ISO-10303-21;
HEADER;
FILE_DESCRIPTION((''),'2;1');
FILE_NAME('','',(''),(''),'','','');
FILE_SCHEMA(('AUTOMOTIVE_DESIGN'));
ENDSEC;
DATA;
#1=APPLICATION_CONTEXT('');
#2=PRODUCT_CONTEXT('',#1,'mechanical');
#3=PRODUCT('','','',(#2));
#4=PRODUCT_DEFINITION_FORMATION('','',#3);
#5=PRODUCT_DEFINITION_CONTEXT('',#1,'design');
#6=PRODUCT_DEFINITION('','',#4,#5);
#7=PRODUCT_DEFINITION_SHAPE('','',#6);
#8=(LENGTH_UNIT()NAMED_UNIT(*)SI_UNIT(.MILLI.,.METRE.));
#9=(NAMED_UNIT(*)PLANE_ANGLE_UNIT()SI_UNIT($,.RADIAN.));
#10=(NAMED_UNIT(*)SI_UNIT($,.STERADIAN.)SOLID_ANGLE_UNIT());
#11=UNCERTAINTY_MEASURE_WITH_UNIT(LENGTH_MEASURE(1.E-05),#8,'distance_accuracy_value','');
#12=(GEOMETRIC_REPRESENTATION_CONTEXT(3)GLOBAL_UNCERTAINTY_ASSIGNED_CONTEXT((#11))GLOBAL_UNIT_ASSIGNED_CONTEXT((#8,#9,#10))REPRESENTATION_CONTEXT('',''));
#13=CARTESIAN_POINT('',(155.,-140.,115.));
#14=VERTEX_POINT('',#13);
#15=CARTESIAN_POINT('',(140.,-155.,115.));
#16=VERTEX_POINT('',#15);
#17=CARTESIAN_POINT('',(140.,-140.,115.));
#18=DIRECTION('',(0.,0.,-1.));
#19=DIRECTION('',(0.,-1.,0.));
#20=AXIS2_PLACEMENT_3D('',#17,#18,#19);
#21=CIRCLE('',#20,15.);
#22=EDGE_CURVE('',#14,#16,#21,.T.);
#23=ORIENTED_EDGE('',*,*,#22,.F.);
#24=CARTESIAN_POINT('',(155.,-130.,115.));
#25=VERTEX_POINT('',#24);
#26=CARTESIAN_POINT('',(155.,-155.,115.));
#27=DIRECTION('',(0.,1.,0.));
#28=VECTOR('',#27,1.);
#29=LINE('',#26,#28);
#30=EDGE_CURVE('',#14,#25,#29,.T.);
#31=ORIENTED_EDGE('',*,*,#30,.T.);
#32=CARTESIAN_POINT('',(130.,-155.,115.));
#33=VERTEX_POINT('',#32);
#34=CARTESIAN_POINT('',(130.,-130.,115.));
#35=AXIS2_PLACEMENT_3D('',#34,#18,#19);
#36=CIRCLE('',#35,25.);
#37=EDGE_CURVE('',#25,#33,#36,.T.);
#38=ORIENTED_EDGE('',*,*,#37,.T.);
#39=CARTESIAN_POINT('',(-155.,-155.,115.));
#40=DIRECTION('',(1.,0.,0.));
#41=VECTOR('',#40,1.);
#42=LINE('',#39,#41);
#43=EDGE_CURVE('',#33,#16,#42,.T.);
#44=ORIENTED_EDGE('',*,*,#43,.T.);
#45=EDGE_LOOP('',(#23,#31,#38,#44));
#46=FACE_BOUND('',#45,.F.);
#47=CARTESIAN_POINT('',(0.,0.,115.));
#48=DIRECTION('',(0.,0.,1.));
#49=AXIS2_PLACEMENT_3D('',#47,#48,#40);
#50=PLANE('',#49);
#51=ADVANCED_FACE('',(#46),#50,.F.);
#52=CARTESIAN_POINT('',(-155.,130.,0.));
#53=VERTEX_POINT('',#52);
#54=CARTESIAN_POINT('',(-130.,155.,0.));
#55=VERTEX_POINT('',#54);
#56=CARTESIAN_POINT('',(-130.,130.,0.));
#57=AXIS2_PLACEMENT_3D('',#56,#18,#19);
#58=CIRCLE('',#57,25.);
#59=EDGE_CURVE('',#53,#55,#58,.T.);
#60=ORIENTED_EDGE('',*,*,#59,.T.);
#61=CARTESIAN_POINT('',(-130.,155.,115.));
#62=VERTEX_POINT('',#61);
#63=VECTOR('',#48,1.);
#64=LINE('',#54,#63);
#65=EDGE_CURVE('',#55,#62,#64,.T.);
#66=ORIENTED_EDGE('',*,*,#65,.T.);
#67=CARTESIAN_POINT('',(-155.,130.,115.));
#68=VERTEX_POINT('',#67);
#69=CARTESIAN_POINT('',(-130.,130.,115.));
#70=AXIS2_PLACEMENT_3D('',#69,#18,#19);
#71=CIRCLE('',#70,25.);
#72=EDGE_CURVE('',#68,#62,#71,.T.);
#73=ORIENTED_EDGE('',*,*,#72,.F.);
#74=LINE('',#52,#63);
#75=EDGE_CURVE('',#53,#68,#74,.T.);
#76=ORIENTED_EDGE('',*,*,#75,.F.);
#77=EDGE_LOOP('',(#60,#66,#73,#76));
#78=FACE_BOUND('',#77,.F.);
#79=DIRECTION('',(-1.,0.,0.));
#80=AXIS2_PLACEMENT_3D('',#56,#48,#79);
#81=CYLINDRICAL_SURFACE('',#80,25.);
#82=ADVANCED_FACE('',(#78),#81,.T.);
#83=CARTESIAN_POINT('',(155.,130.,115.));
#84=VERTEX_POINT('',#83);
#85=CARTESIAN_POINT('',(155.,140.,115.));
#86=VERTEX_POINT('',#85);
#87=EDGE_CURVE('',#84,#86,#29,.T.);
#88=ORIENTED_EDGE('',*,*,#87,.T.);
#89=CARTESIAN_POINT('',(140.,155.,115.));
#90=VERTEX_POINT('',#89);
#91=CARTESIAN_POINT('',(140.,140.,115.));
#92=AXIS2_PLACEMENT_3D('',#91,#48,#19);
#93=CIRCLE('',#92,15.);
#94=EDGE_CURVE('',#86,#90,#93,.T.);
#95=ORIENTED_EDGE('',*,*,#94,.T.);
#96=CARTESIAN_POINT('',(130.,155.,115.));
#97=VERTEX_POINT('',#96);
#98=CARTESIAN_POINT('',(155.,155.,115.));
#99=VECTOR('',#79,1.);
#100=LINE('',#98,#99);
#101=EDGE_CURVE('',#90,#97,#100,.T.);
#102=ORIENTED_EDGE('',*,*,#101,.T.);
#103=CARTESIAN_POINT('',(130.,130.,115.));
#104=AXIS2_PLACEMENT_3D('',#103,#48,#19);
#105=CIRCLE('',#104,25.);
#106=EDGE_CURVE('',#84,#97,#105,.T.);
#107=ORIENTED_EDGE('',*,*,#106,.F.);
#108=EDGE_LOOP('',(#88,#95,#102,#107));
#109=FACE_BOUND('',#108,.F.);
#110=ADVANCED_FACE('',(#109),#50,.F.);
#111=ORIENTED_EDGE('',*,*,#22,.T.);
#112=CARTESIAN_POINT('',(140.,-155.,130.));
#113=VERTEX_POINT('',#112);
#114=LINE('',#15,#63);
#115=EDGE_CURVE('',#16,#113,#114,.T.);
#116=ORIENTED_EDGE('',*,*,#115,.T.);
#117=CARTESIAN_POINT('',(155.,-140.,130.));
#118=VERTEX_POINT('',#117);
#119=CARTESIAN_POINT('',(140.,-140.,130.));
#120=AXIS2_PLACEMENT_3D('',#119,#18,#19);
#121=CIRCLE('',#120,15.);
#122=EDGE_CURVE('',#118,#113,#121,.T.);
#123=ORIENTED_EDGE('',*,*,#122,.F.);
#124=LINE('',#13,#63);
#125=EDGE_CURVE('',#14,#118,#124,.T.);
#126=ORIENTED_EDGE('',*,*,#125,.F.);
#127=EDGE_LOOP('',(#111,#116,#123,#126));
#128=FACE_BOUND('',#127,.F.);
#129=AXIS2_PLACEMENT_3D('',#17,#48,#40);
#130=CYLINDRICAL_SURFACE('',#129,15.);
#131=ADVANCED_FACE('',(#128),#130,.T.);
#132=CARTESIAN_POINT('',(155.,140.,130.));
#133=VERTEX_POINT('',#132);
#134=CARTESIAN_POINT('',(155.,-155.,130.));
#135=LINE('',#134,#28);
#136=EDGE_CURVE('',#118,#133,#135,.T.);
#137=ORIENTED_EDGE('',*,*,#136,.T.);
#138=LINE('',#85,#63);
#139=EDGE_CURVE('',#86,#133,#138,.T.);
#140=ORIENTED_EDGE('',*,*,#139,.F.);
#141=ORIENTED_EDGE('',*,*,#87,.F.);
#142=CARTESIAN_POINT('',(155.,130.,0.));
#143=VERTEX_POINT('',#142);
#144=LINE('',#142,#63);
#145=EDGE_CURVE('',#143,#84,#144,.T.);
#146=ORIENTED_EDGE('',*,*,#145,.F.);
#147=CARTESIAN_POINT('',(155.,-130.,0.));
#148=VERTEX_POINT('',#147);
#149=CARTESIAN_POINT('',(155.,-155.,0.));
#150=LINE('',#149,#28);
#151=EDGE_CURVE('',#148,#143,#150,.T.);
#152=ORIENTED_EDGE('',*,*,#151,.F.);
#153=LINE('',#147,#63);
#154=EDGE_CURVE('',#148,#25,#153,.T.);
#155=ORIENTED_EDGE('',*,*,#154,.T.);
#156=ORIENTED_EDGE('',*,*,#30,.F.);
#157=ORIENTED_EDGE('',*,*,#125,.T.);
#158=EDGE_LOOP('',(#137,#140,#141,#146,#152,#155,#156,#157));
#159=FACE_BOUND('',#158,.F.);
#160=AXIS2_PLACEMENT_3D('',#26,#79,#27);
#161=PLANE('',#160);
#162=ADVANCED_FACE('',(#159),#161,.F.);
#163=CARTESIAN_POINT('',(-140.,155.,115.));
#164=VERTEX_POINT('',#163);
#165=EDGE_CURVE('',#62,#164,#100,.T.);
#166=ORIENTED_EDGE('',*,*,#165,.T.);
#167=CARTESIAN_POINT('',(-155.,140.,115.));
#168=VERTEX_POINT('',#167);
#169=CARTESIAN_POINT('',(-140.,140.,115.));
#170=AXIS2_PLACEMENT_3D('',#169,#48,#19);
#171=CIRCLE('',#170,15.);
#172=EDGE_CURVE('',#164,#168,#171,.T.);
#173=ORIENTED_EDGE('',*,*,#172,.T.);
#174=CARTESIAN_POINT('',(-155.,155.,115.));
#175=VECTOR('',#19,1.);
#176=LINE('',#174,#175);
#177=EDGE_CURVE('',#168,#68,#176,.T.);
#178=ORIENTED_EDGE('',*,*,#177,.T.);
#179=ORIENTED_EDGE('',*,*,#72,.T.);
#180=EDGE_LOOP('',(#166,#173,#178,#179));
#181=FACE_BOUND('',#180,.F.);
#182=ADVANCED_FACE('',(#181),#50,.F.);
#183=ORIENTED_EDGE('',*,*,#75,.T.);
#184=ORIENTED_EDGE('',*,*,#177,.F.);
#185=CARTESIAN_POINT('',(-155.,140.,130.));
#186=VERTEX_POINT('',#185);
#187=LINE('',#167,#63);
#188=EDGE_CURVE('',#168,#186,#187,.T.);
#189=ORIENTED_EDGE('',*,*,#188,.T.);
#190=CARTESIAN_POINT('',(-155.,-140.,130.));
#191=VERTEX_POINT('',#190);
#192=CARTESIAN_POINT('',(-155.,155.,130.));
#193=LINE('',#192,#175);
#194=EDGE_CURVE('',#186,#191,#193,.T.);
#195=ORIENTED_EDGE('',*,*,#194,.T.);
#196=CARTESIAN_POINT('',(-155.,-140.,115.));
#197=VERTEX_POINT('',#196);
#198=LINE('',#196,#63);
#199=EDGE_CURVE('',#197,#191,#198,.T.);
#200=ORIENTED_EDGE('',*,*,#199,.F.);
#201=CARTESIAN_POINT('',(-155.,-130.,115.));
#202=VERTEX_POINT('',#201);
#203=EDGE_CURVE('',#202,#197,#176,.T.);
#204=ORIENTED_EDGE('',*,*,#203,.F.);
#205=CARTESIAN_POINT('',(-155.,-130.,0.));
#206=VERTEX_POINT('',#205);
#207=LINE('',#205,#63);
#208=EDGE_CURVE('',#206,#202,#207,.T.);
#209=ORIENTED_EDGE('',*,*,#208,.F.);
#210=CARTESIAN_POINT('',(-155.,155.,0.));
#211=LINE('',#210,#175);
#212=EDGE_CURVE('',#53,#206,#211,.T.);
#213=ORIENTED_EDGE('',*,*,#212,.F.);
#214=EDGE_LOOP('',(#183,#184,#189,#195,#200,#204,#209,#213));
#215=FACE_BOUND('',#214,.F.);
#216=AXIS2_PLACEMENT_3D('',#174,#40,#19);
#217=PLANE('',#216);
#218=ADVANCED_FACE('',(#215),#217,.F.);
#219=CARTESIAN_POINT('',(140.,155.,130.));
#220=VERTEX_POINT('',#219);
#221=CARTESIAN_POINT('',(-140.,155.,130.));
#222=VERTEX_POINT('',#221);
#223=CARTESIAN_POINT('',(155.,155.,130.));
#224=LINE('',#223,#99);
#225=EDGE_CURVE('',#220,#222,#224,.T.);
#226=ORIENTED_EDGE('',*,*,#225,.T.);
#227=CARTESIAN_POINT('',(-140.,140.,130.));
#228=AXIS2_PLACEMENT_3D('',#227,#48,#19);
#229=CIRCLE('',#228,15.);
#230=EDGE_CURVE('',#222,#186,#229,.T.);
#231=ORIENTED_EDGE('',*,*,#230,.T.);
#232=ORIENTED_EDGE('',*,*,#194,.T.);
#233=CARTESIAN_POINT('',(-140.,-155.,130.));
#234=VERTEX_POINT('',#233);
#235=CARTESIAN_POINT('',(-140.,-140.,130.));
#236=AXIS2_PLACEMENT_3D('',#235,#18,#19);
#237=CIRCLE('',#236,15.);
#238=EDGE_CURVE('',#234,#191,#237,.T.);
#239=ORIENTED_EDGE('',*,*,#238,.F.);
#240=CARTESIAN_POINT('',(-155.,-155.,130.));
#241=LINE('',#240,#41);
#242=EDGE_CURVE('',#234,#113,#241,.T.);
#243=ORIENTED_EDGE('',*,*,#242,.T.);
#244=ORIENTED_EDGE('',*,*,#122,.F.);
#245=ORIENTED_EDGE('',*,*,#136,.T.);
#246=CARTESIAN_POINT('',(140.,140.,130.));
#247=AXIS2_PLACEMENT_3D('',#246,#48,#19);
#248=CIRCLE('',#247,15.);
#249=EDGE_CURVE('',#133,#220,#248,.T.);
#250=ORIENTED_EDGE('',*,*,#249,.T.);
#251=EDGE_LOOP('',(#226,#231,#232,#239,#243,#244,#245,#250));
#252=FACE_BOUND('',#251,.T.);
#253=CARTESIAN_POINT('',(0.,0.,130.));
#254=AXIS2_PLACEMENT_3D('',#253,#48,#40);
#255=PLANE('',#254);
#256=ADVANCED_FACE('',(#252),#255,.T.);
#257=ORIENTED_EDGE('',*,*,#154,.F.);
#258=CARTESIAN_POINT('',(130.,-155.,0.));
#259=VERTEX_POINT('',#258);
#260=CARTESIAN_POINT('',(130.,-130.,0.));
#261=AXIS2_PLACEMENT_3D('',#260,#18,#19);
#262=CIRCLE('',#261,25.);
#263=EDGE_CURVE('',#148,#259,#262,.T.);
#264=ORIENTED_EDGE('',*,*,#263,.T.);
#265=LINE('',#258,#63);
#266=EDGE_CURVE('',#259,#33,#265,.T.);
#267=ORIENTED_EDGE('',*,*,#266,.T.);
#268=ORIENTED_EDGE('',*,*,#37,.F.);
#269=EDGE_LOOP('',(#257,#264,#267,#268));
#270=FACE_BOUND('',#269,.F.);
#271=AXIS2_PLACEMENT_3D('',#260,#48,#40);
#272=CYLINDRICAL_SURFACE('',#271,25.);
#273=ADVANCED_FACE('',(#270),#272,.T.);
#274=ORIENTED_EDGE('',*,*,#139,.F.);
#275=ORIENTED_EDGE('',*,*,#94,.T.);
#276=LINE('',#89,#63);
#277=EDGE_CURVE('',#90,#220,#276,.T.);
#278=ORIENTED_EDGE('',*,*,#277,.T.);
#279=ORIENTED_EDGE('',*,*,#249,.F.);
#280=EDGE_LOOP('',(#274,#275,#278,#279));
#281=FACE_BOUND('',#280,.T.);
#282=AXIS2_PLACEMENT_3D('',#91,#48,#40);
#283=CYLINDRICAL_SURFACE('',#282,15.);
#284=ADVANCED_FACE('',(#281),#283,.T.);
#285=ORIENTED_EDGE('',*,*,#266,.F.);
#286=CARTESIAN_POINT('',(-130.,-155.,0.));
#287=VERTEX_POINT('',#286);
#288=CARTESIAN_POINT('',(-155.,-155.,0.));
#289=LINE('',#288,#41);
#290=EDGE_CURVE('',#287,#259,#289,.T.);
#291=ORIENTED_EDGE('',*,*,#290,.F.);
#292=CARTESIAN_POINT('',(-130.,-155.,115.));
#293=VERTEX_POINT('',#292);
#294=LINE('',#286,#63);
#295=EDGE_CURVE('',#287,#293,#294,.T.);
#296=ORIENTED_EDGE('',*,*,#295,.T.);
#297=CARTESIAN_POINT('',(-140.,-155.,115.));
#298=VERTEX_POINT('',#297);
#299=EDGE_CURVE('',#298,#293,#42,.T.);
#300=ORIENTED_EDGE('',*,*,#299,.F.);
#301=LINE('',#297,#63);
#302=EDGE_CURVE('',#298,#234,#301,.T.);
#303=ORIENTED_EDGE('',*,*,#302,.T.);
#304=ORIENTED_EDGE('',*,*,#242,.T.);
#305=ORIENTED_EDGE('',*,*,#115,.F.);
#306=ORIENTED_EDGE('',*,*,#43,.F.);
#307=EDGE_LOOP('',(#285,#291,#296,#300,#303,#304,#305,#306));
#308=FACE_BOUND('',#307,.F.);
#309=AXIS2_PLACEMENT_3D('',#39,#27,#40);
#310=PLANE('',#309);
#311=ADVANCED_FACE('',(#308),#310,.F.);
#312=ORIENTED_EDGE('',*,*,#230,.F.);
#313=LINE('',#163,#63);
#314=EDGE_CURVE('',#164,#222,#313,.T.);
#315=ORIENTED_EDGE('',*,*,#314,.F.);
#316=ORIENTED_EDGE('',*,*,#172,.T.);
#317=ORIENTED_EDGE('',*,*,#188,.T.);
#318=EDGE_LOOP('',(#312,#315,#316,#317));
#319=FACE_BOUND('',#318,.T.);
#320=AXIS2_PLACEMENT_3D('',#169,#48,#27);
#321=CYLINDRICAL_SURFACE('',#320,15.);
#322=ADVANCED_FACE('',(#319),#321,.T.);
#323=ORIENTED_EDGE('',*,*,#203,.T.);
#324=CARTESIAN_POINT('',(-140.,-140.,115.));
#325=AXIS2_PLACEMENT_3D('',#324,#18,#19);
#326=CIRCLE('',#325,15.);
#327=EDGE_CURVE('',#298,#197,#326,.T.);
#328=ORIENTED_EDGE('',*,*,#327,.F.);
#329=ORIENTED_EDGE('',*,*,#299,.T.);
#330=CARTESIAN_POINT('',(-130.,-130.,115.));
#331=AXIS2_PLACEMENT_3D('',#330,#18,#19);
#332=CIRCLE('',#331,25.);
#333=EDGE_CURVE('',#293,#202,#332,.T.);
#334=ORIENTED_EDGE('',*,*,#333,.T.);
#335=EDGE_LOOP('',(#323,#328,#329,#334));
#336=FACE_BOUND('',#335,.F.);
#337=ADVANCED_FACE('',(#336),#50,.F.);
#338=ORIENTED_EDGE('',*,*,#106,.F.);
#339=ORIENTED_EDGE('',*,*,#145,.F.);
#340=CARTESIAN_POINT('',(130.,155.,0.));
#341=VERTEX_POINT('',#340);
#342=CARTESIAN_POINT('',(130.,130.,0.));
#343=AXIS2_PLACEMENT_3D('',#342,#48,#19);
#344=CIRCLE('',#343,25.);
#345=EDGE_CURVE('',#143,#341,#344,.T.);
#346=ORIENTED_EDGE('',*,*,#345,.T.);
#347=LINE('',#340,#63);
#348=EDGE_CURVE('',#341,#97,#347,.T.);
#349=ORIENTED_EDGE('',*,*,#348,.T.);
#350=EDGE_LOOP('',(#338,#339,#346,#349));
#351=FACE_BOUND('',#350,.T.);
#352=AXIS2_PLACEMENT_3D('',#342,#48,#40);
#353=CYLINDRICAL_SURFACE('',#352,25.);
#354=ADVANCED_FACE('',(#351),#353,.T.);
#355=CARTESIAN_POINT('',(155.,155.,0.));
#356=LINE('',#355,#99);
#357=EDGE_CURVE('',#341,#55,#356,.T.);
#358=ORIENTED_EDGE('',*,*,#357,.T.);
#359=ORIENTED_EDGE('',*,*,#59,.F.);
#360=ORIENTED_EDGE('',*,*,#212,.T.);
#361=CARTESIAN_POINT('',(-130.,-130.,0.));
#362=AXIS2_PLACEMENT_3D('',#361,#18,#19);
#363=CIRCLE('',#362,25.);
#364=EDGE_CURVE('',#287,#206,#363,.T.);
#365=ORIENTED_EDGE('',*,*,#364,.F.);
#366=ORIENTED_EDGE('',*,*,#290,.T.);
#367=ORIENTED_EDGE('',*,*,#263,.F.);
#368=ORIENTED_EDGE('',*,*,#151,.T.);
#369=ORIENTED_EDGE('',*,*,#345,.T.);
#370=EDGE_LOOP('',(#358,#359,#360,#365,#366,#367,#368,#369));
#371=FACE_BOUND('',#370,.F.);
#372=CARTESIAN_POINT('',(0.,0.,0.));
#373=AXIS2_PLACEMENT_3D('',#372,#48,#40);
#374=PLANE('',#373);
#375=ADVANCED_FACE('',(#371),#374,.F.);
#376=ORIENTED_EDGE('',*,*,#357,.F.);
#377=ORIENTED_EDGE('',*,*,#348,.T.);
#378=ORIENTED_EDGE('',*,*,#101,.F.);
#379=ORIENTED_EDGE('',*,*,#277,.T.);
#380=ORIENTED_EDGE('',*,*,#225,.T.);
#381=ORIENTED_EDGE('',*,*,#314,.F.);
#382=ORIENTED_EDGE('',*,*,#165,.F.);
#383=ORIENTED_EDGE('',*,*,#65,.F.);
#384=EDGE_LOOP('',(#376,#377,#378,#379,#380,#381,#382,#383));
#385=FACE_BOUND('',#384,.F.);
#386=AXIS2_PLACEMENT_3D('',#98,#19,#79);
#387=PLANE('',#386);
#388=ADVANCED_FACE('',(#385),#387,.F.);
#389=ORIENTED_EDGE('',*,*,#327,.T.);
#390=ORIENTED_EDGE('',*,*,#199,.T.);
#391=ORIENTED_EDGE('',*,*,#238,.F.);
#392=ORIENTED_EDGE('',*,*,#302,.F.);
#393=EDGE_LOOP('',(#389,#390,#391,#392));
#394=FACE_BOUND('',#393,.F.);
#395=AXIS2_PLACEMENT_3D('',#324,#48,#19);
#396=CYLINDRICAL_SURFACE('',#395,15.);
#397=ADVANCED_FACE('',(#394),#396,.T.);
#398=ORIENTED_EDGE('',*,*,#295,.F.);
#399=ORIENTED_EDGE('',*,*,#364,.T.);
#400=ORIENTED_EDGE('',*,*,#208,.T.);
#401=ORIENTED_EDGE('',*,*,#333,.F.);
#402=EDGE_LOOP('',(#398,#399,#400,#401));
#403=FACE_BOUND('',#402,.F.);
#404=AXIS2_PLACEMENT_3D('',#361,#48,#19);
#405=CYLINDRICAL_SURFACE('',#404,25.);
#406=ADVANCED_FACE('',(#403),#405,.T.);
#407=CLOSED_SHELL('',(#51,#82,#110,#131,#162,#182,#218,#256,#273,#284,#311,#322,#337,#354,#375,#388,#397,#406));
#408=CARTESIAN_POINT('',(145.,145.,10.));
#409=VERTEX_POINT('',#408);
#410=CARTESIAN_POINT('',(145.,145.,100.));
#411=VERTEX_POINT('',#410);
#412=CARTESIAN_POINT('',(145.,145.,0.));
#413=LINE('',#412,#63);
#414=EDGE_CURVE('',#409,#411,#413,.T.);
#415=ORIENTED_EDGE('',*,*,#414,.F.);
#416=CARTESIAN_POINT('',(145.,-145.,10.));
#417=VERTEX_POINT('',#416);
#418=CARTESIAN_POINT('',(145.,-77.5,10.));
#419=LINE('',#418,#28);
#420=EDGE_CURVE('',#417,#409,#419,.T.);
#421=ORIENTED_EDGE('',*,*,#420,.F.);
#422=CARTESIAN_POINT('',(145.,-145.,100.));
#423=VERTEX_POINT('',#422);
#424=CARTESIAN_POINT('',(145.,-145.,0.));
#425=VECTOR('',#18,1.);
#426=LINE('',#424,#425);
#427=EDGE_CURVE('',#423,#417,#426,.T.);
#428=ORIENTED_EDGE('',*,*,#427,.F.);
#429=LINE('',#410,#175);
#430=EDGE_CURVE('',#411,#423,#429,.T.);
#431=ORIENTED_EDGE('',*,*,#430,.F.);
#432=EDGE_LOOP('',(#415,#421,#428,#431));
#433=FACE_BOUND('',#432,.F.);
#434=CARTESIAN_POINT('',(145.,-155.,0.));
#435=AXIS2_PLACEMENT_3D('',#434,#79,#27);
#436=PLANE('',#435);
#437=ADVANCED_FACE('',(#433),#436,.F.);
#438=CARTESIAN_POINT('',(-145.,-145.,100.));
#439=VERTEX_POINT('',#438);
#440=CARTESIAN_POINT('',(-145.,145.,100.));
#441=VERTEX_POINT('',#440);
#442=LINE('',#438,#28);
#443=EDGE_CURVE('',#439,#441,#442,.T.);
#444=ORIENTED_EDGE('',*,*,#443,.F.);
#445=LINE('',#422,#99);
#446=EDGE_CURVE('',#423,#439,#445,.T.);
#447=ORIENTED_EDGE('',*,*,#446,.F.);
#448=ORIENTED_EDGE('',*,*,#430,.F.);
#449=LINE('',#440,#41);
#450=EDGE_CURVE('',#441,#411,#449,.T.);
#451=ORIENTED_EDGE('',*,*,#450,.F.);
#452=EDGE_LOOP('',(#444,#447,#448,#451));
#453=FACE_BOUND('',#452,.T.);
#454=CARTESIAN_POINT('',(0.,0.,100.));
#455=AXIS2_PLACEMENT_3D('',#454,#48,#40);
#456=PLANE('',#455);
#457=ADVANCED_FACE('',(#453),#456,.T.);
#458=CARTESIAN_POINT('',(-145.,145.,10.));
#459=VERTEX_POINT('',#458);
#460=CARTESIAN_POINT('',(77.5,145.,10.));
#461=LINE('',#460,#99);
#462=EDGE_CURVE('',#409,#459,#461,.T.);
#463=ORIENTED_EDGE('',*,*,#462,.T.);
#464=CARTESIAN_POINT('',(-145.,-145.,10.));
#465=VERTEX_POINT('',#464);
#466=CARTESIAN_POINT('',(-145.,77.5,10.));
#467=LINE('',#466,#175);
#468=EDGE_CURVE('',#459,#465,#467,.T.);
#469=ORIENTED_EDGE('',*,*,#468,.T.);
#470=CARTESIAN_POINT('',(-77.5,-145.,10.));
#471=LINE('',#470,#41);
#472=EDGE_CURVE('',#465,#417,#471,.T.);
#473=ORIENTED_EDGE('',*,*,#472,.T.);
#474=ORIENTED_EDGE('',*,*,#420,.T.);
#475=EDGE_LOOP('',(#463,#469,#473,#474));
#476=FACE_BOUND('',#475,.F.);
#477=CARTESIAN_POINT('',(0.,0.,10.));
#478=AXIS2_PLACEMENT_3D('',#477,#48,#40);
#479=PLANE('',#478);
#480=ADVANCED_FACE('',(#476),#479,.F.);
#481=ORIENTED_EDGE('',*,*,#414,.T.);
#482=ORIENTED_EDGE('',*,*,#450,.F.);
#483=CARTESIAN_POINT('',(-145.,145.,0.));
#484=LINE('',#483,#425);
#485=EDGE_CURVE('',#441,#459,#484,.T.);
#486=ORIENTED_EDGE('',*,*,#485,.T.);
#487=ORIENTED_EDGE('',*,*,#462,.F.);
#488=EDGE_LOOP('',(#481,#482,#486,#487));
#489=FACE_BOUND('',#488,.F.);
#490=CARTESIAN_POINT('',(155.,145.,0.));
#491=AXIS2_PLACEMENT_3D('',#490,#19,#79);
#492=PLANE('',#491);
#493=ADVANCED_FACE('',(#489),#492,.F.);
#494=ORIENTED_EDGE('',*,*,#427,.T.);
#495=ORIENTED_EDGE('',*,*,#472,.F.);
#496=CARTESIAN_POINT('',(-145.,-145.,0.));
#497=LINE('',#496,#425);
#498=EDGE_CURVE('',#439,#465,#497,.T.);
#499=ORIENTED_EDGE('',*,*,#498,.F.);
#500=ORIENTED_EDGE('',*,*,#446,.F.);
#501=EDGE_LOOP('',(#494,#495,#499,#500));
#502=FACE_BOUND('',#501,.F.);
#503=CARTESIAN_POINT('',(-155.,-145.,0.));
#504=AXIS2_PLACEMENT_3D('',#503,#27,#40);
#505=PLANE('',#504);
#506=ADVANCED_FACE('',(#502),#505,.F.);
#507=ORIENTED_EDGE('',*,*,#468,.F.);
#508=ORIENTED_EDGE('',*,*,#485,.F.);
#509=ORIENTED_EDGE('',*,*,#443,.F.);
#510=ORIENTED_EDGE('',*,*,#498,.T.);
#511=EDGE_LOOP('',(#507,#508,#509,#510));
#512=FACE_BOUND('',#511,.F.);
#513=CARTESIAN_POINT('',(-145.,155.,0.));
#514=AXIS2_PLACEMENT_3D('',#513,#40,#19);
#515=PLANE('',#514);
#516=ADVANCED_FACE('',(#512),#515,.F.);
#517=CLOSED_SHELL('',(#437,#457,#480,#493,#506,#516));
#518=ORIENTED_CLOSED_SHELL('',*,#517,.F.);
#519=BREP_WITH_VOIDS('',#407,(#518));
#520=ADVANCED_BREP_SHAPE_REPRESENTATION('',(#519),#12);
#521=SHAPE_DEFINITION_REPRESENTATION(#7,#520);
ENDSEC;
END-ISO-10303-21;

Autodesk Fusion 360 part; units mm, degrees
sketch "Sketch1" plane through (0, 0, 0) normal (0, 0, 1) x (1, 0, 0)
  line L0 (155, 155) -> (-155, 155)
  line L1 (-155, 155) -> (-155, -155)
  line L2 (-155, -155) -> (155, -155)
  line L3 (155, -155) -> (155, 155)
  line L4 (155, 155) -> (-155, -155) construction
  line L5 (-155, 155) -> (155, -155) construction
  dimension "d1" = 310
  dimension "d2" = 310
extrude "Extrude1" add sketch "Sketch1" along normal blind 115
shell "Shell1" thickness 10 removed faces 1 at (-51.6667, 51.6667, 115)
fillet "Fillet1" radius 25 4 edges at (-155, -155, 57.5) (155, -155, 57.5) (-155, 155, 57.5) (155, 155, 57.5)
ref_plane "WorkPlane1" through (0, 0, 115) normal (0, 0, 1) x (1, 0, 0)
sketch "Sketch2" plane through (0, 0, 115) normal (0, 0, 1) x (1, 0, 0)
  line L0 (155, 155) -> (-155, 155)
  line L1 (-155, 155) -> (-155, -155)
  line L2 (-155, -155) -> (155, -155)
  line L3 (155, -155) -> (155, 155)
  line L4 (155, 155) -> (-155, -155) construction
  line L5 (-155, 155) -> (155, -155) construction
  line L6 (-145, 145) -> (145, 145)
  line L7 (145, 145) -> (145, -145)
  line L8 (145, -145) -> (-145, -145)
  line L9 (-145, -145) -> (-145, 145)
  line L10 (-145, 145) -> (145, -145) construction
  line L11 (145, 145) -> (-145, -145) construction
  dimension "d9" = 310
  dimension "d10" = 310
  dimension "d11" = 290
  dimension "d12" = 290
extrude "Extrude2" add sketch "Sketch2" against normal blind 15 contours L6 L7 L8 L9
extrude "Extrude3" add sketch "Sketch2" along normal blind 15 contours L0 L1 L2 L3 | L6 L7 L8 L9
fillet "Fillet2" radius 15 4 edges at (-155, 155, 122.5) (-155, -155, 122.5) (155, -155, 122.5) (155, 155, 122.5)
